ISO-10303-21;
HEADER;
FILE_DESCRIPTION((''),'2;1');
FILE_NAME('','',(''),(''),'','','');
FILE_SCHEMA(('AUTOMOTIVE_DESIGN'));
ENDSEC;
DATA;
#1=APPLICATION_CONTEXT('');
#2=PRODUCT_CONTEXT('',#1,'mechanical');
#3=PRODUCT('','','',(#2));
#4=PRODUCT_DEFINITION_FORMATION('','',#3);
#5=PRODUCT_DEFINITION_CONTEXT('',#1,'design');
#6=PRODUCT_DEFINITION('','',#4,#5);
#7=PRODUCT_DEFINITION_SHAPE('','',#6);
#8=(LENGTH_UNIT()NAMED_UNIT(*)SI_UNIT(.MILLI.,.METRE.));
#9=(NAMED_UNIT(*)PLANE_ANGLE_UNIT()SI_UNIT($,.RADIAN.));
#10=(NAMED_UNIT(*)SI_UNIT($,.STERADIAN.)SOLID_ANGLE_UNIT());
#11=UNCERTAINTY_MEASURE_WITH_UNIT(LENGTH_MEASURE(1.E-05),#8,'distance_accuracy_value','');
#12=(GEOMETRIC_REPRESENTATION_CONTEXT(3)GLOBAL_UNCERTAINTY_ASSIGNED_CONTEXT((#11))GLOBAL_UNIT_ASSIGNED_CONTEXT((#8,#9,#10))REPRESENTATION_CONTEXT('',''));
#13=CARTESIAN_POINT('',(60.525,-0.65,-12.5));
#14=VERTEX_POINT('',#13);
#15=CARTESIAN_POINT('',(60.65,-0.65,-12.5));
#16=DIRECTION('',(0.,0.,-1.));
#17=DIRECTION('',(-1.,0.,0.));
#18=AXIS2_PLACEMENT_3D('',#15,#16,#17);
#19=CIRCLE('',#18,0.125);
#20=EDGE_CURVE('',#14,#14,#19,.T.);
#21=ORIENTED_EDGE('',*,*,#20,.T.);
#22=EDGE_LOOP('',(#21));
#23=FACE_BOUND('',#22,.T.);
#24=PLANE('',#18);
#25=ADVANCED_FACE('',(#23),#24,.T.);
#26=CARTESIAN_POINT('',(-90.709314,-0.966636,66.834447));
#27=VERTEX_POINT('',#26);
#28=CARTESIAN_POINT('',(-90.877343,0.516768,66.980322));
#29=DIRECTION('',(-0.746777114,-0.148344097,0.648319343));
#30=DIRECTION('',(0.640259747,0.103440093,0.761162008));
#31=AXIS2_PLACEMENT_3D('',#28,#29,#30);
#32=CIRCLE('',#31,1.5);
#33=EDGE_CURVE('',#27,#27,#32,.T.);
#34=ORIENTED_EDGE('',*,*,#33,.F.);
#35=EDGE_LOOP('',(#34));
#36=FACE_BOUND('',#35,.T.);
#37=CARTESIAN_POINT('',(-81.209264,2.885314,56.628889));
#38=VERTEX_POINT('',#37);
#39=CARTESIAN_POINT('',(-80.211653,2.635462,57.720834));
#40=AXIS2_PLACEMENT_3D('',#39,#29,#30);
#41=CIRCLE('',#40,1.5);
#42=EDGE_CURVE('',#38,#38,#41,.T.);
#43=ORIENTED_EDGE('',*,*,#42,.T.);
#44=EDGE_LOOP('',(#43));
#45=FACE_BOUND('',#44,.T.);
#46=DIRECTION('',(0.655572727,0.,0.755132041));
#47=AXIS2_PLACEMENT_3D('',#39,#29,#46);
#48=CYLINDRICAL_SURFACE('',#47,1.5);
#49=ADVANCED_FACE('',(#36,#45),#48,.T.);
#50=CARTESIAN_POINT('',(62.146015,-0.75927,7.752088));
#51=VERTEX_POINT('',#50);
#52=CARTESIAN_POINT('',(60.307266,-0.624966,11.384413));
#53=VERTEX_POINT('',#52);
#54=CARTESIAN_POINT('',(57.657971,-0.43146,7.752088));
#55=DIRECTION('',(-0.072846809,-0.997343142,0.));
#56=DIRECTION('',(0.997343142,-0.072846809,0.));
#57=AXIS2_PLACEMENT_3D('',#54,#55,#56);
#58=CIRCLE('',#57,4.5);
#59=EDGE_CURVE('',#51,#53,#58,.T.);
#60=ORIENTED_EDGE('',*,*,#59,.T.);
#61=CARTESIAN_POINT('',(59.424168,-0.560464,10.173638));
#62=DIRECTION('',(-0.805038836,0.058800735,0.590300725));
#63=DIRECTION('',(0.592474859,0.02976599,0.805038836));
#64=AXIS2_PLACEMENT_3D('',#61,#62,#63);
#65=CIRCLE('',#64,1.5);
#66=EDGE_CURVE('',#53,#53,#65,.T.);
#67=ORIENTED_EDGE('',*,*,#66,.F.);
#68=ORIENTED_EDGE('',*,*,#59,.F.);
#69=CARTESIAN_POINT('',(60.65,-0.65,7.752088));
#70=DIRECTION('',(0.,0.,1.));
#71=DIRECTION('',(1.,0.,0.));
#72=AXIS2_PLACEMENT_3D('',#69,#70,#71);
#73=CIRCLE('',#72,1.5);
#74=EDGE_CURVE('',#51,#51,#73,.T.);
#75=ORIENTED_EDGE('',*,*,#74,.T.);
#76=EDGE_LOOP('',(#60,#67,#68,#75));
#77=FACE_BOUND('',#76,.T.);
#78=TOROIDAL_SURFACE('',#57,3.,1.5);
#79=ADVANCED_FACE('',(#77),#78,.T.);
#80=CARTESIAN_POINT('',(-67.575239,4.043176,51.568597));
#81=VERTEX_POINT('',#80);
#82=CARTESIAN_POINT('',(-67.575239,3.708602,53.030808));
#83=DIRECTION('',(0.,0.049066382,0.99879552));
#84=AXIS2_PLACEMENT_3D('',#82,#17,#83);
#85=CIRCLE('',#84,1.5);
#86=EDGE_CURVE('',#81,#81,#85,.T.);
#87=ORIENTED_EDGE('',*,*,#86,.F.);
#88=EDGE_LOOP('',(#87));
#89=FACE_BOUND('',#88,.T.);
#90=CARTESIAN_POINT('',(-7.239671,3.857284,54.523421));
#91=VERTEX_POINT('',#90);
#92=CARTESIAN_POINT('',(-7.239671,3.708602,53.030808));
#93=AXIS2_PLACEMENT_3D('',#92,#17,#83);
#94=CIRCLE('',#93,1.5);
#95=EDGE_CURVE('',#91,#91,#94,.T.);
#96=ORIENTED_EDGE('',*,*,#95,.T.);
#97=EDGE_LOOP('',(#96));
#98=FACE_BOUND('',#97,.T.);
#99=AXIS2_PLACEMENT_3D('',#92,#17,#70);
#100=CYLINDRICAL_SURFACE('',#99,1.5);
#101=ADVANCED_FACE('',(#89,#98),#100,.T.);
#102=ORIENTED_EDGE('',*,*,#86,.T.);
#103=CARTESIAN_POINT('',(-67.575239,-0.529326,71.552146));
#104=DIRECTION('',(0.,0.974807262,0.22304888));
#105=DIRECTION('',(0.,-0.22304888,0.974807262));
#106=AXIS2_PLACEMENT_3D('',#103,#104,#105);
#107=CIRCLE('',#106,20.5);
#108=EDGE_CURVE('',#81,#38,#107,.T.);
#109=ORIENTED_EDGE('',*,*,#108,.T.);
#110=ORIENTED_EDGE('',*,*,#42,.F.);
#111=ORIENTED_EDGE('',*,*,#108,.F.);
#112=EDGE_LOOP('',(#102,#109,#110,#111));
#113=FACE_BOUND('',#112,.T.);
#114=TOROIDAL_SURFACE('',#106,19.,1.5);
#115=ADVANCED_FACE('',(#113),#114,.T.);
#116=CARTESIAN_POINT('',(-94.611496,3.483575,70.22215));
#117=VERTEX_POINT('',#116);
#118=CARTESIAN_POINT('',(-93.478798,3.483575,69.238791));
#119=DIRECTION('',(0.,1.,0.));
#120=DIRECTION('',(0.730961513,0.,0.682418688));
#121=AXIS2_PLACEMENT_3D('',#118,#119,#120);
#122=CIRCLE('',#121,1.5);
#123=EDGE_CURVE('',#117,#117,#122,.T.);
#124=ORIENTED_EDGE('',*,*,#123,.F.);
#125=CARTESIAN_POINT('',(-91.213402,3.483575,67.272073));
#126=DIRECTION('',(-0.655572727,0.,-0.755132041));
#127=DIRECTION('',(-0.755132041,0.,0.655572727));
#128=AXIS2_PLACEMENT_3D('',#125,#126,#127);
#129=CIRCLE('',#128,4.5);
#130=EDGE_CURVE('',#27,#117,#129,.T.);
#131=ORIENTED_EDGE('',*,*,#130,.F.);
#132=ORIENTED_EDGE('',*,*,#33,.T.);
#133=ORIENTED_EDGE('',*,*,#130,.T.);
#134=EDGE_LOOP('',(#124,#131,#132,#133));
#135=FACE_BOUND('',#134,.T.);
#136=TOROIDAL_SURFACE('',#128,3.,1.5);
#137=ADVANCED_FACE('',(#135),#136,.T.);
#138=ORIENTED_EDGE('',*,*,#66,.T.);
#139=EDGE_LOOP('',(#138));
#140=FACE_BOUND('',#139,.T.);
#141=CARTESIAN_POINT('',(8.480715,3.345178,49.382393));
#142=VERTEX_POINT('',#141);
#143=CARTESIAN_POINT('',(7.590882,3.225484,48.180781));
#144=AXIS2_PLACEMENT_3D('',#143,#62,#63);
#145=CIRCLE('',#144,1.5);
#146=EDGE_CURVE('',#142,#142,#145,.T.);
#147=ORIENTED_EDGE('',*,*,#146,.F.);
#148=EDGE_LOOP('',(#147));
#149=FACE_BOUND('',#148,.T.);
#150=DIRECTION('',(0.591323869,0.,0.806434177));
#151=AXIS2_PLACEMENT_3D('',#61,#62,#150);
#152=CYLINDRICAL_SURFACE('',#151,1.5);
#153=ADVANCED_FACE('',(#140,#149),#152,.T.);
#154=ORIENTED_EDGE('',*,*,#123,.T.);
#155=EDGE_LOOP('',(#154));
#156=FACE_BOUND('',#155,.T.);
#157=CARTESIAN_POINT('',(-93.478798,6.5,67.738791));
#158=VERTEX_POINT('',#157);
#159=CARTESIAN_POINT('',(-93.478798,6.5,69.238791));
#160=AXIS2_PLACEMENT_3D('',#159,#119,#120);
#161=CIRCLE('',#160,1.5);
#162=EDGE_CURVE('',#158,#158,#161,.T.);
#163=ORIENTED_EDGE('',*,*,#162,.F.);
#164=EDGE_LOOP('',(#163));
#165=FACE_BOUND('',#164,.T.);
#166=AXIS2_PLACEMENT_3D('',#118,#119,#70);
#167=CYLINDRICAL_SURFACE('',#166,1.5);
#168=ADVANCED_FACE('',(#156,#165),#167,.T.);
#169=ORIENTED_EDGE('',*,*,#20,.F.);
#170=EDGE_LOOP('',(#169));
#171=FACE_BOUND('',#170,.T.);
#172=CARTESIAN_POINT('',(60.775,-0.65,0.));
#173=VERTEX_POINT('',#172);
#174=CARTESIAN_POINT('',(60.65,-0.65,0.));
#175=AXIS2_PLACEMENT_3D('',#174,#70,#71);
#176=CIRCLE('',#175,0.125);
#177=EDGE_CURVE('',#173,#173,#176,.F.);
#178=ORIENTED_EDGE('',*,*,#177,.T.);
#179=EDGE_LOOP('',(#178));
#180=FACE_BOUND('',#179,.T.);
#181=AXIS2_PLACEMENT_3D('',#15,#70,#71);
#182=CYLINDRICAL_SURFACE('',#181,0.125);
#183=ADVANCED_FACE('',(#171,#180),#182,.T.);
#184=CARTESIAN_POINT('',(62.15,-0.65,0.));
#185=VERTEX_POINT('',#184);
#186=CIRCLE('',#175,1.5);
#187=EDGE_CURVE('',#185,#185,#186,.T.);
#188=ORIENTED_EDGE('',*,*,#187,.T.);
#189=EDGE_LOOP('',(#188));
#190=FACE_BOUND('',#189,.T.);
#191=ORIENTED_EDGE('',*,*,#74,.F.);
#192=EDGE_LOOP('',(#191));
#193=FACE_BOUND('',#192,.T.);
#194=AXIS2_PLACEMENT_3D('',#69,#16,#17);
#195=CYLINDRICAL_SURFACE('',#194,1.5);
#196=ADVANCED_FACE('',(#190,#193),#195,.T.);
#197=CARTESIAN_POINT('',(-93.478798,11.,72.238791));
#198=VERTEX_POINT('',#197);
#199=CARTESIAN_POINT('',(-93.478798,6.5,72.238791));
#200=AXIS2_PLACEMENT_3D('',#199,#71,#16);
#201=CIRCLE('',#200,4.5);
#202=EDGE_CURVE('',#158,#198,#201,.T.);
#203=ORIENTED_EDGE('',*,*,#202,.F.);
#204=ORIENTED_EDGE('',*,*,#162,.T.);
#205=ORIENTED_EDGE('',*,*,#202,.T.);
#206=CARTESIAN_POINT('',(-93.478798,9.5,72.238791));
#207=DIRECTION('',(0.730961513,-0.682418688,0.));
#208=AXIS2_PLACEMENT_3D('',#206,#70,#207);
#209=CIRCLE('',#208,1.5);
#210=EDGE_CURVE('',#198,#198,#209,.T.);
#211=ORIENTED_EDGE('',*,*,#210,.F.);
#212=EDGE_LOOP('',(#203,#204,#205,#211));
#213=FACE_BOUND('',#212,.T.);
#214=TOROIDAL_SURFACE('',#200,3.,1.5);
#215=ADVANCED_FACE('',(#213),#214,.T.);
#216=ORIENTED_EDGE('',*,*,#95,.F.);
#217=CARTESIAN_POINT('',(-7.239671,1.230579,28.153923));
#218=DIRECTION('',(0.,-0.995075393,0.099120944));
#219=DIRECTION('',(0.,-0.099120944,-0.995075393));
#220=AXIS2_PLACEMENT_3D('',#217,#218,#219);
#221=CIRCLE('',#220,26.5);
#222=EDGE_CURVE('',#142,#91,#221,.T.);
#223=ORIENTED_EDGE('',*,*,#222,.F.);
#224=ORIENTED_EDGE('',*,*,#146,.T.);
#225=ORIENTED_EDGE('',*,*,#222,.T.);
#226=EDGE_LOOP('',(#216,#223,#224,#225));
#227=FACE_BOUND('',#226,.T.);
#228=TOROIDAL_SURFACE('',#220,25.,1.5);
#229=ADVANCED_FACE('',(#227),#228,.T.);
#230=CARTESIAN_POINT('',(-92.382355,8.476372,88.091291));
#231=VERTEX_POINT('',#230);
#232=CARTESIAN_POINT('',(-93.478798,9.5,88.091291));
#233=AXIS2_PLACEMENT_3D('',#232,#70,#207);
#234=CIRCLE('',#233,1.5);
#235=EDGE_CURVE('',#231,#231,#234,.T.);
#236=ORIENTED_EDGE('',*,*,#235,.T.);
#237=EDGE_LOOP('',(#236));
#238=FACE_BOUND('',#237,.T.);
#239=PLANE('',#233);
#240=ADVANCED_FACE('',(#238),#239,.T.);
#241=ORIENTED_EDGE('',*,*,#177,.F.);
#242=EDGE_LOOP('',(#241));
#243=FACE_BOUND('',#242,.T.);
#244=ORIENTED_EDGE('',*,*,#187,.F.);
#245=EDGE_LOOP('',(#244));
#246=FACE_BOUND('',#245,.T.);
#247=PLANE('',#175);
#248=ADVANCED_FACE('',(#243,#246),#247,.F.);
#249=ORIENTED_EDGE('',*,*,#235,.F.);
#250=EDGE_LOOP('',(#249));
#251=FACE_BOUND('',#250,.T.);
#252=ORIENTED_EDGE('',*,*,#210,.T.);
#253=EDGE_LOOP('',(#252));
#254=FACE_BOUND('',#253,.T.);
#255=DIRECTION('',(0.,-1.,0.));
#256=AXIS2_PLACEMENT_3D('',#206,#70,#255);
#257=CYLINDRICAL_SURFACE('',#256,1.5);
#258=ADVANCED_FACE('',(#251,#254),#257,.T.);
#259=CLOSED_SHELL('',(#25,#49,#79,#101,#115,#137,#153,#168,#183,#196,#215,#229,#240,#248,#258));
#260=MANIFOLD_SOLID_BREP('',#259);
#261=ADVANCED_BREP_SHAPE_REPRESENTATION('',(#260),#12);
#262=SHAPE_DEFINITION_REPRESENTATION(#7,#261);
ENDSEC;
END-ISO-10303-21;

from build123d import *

# Parameters (mm, degrees)
SKETCH1_R           = 1.5
SKETCH2_R           = 0.125
BOSS_EXTRUDE1_DEPTH = 12.5


with BuildPart() as part:
    # Base-Sweep: sweep along a curve in space
    with BuildLine() as base_sweep_path:
        Line((60.65, -0.65, 0), (60.65, -0.65, 7.75208786))
        ThreePointArc((59.424167714, -0.560464146, 10.173638084), (60.325999238, -0.626334703, 9.109897397), (60.65, -0.65, 7.75208786))
        Line((59.424167714, -0.560464146, 10.173638084), (7.590881524, 3.225484065, 48.180781395))
        ThreePointArc((-7.239671238, 3.708602428, 53.030807816), (0.565798877, 3.584726574, 51.787217816), (7.590881524, 3.225484065, 48.180781395))
        Line((-7.239671238, 3.708602428, 53.030807816), (-67.575239414, 3.708602428, 53.030807816))
        ThreePointArc((-80.211652793, 2.635461889, 57.72083447), (-74.335914745, 3.431241001, 54.242981282), (-67.575239414, 3.708602428, 53.030807816))
        Line((-80.211652793, 2.635461889, 57.72083447), (-90.877343373, 0.516767824, 66.980322185))
        ThreePointArc((-93.478797639, 3.483575243, 69.238791399), (-92.69169695, 1.210351005, 68.555464885), (-90.877343373, 0.516767824, 66.980322185))
        Line((-93.478797639, 3.483575243, 69.238791399), (-93.478797639, 6.5, 69.238791399))
        ThreePointArc((-93.478797639, 9.5, 72.238791399), (-93.478797639, 8.621320344, 70.117471055), (-93.478797639, 6.5, 69.238791399))
        Line((-93.478797639, 9.5, 72.238791399), (-93.478797639, 9.5, 88.091291399))
    # Sketch1 → Base-Sweep (sweep)
    with BuildSketch(Plane.XY):
        with Locations((60.65, -0.65)):
            Circle(SKETCH1_R)
    sweep(path=base_sweep_path.line)

    # Sketch2 → Boss-Extrude1 (add)
    with BuildSketch(Plane(origin=(0, 0, 0), x_dir=(-1, 0, 0), z_dir=(0, 0, -1))):
        with Locations(Location((-60.65, -0.65, 0), (0, 0, 180))):
            Circle(SKETCH2_R)
    extrude(amount=BOSS_EXTRUDE1_DEPTH)


solid = part.part
